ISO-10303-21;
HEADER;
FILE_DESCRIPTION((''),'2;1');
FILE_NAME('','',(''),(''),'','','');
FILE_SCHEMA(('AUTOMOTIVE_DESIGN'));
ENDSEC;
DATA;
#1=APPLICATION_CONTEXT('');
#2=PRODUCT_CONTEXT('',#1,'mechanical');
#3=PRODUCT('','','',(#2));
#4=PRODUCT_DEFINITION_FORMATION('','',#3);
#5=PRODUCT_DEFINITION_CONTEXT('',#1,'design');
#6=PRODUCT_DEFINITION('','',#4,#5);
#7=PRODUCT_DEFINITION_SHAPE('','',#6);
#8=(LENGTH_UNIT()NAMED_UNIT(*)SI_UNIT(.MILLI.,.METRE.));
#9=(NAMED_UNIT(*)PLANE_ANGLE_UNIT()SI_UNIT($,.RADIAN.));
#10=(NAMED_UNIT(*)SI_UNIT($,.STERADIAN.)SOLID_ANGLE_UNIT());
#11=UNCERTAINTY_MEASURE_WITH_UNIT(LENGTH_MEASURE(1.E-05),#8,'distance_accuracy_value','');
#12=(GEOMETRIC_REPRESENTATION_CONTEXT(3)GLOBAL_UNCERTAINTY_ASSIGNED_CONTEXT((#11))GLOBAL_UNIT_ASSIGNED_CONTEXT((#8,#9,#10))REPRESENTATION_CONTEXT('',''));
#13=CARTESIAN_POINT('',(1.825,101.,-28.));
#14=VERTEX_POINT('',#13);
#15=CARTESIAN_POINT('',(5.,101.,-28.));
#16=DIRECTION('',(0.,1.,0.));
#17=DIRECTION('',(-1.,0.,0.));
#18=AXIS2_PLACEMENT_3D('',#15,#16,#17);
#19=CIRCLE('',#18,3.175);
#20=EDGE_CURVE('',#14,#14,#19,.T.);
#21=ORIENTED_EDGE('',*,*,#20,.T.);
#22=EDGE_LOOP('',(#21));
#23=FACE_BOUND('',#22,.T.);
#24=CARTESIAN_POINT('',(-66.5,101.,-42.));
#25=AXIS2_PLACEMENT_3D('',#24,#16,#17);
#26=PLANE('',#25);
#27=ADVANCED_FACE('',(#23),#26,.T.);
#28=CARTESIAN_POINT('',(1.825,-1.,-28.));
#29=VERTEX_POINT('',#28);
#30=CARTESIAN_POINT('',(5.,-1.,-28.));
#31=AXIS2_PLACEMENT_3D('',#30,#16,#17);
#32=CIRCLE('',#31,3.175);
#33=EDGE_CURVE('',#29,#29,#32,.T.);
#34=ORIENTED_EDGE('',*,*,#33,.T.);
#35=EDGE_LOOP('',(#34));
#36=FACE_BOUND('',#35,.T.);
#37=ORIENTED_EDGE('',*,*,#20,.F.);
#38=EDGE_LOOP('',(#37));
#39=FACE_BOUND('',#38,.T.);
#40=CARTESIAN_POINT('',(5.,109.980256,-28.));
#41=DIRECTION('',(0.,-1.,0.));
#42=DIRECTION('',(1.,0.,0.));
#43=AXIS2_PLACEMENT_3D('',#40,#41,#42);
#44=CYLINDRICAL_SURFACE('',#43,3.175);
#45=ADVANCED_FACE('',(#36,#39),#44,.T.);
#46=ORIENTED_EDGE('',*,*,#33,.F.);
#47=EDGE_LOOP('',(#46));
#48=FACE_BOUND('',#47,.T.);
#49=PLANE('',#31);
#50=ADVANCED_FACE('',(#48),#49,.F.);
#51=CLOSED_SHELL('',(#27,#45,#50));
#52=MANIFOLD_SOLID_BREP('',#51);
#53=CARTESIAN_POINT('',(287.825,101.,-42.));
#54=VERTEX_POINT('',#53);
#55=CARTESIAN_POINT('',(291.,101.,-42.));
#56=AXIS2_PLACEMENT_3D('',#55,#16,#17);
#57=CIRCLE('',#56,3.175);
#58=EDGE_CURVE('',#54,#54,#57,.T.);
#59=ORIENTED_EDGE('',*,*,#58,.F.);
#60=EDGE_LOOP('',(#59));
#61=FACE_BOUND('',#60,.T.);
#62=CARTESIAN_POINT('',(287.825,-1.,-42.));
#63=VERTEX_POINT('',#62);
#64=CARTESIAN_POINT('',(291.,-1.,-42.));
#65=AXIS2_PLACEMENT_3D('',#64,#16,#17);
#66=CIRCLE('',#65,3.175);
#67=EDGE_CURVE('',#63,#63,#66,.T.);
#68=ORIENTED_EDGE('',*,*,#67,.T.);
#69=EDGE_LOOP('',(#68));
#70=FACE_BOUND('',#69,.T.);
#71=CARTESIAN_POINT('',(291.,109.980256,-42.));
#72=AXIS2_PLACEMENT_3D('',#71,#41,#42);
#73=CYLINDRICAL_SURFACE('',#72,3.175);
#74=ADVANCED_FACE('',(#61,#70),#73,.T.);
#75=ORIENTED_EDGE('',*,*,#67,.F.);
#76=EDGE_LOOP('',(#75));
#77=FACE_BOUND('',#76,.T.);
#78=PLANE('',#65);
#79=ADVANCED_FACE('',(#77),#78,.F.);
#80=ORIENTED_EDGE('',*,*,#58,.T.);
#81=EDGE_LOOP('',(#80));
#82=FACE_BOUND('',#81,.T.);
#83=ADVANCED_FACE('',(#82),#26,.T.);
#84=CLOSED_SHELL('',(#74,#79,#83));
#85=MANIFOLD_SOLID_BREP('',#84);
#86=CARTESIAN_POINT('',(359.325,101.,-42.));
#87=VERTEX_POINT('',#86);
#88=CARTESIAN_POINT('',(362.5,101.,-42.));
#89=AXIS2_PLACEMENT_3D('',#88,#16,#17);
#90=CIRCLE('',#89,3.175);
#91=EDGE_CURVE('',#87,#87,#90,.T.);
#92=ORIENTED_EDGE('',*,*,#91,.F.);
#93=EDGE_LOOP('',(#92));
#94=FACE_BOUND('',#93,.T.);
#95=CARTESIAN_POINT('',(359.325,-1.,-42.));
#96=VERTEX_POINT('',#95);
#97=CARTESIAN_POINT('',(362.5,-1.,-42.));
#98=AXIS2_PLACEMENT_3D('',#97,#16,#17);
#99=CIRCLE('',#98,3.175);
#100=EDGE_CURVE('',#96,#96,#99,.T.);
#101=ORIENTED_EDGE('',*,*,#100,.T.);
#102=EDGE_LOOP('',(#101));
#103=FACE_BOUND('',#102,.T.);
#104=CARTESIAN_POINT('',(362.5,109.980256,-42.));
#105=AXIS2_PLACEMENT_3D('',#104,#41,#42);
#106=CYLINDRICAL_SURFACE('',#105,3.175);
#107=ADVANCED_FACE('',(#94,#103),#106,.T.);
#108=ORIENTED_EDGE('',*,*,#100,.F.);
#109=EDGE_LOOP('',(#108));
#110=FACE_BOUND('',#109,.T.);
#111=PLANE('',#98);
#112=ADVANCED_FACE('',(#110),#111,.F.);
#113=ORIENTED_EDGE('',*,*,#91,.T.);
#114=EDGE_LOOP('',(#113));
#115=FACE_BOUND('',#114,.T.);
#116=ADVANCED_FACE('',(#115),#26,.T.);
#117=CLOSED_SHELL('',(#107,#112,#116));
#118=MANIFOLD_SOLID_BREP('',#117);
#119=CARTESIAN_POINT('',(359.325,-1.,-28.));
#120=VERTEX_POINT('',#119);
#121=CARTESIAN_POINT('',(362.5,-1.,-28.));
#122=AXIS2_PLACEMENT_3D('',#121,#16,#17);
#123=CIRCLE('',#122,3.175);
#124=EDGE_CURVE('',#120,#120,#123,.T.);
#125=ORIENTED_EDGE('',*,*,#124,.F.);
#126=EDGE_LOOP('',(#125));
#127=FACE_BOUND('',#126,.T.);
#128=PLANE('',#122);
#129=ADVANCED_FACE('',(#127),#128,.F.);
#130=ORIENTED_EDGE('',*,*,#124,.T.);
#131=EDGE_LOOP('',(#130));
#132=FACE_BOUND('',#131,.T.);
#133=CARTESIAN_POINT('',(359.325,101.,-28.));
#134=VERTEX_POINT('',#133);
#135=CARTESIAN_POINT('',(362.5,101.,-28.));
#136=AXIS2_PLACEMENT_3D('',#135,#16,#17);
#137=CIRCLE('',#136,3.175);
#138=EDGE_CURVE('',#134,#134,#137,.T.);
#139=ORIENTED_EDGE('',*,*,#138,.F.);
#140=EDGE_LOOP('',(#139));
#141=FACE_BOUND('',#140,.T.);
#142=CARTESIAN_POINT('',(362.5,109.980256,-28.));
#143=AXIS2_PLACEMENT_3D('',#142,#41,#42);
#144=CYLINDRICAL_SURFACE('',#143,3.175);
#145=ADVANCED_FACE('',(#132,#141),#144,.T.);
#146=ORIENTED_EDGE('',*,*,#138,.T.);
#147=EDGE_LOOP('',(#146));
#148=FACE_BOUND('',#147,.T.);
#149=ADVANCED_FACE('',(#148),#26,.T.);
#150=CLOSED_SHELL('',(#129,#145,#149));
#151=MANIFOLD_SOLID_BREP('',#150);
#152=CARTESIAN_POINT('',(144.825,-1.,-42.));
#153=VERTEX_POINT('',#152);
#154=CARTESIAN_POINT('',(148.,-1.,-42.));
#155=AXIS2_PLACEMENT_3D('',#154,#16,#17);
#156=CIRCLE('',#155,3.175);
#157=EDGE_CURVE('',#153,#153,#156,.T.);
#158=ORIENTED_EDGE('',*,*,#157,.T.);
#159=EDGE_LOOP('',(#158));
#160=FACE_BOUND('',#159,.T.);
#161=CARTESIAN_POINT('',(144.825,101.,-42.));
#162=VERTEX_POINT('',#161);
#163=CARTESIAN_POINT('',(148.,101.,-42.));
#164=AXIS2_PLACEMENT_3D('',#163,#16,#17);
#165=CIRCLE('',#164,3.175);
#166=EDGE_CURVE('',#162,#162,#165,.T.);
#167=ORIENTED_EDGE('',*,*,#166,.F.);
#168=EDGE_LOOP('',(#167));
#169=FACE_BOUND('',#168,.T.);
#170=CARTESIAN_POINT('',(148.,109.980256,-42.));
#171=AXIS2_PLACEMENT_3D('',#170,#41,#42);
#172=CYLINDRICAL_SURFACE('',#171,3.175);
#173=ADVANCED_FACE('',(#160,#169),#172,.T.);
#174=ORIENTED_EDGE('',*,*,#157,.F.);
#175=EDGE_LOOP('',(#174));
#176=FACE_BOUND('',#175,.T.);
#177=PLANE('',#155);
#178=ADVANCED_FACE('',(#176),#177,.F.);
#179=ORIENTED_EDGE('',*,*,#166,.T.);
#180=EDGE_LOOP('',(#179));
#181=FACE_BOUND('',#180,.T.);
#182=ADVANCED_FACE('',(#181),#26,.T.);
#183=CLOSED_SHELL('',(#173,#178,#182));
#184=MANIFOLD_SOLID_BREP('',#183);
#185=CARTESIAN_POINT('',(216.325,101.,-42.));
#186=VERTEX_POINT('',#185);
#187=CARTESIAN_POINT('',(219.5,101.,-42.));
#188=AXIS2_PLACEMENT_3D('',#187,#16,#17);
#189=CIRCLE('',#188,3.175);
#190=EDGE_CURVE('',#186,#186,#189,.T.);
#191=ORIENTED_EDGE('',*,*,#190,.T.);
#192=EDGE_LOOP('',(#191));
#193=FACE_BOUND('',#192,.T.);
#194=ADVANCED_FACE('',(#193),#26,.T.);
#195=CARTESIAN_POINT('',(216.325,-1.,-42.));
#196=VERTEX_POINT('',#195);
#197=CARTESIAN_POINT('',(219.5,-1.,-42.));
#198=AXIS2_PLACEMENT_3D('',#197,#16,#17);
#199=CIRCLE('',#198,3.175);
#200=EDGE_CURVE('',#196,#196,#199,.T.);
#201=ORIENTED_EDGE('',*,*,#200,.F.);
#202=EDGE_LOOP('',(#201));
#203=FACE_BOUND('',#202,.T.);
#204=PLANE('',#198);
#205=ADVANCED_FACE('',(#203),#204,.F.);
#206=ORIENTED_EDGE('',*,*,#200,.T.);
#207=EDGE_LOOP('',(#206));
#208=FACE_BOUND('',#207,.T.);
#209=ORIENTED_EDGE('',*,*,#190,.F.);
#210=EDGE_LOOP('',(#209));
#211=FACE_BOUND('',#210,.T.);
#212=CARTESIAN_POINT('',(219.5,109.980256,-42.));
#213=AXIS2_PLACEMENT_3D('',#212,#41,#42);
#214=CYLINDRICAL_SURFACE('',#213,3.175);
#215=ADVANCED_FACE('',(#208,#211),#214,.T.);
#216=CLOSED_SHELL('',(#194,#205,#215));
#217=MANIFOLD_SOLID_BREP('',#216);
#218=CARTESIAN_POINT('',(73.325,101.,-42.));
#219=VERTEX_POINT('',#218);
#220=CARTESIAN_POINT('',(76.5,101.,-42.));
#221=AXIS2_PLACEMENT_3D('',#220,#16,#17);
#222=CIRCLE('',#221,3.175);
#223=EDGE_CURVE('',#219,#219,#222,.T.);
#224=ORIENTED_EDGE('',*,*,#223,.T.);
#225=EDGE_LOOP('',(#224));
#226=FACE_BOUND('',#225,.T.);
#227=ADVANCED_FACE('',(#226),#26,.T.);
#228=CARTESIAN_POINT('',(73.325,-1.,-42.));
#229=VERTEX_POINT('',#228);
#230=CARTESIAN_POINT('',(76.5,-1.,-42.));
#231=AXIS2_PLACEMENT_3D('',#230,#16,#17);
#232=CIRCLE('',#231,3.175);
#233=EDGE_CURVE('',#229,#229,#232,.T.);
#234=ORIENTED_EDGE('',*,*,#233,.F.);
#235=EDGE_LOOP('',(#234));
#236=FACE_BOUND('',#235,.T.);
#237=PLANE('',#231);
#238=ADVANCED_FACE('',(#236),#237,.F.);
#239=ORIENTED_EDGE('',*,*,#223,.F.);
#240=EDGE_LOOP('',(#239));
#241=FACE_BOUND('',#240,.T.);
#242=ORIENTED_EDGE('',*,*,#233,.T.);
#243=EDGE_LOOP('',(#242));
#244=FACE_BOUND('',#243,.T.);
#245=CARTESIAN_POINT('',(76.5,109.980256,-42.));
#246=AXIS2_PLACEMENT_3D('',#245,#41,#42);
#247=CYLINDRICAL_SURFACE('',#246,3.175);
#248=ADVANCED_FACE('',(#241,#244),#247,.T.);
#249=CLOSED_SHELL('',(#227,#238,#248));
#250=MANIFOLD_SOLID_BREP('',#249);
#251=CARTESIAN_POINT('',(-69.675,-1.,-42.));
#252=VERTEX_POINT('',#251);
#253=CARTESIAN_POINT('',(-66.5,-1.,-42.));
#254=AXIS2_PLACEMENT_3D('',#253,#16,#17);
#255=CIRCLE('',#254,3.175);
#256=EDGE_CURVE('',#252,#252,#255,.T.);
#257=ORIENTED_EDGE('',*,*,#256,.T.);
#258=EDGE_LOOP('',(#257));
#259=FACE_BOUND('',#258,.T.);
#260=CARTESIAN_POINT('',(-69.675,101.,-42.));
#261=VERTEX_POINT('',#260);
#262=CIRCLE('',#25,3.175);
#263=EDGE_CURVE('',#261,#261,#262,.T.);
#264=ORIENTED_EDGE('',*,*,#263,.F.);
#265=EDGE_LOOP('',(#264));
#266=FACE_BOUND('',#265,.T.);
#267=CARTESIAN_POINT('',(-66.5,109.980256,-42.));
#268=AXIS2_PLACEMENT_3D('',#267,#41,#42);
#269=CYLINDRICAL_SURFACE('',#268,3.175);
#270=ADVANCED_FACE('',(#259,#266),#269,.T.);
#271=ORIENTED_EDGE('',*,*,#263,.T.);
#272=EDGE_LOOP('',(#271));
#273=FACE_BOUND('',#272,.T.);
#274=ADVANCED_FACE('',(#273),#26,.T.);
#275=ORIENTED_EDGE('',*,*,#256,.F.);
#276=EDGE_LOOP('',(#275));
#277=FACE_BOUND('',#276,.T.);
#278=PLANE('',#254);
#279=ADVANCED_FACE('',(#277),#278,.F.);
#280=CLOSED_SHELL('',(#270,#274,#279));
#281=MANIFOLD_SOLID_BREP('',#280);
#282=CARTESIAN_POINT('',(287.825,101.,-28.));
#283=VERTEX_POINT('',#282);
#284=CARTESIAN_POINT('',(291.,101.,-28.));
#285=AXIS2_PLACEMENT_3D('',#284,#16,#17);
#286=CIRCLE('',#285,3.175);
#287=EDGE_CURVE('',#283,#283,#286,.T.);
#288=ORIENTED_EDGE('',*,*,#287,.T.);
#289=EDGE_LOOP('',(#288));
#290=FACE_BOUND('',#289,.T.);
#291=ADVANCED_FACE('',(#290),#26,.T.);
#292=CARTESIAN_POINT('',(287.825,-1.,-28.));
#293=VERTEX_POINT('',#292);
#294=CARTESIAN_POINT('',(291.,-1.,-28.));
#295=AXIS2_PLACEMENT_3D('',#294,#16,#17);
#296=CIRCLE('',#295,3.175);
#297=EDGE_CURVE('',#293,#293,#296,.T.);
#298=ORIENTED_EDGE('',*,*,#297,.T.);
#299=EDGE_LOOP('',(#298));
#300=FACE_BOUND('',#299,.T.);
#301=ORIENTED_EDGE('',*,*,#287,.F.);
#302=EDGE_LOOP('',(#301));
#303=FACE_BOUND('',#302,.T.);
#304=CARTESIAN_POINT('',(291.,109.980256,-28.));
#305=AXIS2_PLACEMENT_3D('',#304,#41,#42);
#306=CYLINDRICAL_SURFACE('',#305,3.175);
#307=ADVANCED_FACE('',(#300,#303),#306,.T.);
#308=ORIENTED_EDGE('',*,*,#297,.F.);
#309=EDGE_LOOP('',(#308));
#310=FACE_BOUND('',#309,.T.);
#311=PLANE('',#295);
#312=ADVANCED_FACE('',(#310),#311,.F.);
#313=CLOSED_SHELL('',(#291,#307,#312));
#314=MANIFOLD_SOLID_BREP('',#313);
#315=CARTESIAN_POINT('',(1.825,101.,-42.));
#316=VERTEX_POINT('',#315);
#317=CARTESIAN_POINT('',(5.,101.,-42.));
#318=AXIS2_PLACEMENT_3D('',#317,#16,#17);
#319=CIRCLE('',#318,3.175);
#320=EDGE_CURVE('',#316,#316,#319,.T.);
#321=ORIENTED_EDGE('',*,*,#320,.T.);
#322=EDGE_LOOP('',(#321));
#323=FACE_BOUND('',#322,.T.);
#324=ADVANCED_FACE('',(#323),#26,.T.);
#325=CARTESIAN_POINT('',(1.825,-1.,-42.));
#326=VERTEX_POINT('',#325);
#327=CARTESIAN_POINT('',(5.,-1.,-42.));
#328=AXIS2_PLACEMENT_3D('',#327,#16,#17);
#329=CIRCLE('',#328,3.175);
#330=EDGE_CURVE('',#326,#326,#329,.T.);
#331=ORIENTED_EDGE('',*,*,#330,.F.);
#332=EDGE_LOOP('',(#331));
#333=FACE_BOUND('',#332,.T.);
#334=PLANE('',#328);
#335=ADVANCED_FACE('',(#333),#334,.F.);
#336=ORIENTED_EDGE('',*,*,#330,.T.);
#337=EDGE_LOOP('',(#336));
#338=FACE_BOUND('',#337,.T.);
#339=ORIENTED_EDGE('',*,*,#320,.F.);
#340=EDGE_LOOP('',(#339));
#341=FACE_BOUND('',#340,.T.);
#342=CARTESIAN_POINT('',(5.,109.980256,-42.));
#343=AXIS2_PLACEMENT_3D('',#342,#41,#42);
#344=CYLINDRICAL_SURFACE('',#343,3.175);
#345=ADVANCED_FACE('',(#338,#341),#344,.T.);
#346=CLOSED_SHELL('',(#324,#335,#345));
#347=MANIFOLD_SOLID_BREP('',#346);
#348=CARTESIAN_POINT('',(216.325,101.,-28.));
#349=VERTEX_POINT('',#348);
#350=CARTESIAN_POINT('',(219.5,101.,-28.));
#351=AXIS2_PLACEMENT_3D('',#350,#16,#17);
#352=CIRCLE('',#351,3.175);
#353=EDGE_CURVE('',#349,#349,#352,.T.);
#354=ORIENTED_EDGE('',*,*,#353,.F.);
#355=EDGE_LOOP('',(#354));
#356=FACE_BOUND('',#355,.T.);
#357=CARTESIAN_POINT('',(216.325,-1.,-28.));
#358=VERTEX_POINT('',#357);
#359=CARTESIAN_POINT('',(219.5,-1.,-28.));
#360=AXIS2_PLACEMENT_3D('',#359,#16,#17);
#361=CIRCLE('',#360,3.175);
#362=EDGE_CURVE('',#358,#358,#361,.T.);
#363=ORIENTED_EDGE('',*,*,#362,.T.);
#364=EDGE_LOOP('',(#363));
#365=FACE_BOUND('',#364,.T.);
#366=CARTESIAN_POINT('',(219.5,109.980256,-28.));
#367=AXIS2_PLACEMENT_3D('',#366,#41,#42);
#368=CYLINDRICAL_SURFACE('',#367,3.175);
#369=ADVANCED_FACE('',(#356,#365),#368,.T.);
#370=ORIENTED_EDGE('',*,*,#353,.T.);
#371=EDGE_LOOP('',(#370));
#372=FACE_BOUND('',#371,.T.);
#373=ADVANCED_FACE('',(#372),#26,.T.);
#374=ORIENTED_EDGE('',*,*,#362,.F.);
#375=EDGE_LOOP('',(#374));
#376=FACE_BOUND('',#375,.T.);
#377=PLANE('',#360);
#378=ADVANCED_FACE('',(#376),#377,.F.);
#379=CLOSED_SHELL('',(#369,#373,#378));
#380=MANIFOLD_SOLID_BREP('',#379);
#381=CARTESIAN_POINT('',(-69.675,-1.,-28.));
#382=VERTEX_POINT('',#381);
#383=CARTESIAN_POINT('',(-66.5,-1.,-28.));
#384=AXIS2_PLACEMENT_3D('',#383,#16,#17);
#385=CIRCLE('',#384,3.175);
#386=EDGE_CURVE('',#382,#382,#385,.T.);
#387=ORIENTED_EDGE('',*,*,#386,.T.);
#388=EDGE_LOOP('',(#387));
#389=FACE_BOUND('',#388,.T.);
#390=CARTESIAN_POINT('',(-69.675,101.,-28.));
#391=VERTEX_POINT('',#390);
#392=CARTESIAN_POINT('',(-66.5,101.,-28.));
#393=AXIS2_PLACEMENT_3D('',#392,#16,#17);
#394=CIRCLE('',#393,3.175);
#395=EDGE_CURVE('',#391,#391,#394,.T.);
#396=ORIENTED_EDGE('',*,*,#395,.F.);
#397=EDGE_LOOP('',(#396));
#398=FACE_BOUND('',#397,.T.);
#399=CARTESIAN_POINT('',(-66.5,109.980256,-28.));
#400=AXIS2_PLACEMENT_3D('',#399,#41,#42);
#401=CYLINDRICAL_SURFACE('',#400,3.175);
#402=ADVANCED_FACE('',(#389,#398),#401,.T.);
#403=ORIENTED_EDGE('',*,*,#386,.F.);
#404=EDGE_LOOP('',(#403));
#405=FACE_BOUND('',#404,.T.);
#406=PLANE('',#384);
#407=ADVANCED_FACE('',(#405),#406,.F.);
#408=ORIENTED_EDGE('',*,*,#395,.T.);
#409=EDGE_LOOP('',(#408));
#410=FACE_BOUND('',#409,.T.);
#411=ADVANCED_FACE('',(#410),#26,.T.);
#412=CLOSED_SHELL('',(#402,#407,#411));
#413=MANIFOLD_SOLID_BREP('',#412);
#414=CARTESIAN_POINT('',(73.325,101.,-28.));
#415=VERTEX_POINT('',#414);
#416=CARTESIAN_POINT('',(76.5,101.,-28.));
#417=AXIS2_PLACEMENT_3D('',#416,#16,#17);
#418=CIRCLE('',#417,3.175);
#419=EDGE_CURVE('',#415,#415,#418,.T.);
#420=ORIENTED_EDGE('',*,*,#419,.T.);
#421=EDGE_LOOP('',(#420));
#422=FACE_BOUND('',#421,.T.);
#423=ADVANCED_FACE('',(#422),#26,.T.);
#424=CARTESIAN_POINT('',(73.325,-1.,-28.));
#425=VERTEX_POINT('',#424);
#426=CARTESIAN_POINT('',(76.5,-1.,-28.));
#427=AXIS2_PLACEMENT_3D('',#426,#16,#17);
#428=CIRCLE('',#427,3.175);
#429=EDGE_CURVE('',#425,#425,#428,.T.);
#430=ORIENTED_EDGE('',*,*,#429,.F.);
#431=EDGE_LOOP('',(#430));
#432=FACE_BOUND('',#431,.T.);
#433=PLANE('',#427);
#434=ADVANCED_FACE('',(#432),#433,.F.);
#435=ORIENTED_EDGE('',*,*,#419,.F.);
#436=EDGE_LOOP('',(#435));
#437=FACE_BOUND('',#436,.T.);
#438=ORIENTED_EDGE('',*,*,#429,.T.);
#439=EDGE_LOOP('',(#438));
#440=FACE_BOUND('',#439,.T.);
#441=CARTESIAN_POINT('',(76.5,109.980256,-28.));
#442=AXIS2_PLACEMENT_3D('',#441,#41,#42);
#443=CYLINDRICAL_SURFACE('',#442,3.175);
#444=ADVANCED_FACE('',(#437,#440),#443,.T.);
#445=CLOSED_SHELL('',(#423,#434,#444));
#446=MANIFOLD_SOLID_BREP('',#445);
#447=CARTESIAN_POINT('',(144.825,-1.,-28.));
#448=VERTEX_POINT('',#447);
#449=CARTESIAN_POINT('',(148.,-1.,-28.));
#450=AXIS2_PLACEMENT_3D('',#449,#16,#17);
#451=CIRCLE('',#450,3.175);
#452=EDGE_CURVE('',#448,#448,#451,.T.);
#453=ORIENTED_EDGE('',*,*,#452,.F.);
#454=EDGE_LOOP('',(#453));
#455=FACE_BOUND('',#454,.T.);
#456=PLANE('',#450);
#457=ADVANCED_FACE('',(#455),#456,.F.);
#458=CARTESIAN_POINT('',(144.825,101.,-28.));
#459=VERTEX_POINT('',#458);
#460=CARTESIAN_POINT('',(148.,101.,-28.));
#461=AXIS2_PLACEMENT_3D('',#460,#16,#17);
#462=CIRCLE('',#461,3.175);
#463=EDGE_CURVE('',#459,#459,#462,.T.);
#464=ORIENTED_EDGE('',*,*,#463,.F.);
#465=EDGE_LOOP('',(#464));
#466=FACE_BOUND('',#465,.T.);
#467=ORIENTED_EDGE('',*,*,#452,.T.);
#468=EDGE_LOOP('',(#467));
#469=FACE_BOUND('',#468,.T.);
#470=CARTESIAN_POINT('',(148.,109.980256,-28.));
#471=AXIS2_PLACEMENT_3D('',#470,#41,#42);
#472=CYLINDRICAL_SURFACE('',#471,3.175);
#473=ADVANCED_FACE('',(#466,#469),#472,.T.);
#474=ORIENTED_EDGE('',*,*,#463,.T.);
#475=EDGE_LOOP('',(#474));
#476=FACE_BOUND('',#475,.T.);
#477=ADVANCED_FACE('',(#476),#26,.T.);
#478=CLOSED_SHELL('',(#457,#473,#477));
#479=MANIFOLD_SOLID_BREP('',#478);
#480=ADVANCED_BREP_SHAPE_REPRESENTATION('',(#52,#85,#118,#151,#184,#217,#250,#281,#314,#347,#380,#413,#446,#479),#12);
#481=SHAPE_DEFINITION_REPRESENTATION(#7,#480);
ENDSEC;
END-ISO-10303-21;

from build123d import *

# Parameters (mm, degrees)
SKETCH1_R              = 3.175
BOSS_EXTRUDE1_DEPTH    = 102
BOSS_EXTRUDE1_2_DEPTH  = 102
BOSS_EXTRUDE1_3_DEPTH  = 102
BOSS_EXTRUDE1_4_DEPTH  = 102
BOSS_EXTRUDE1_5_DEPTH  = 102
BOSS_EXTRUDE1_6_DEPTH  = 102
BOSS_EXTRUDE1_7_DEPTH  = 102
BOSS_EXTRUDE1_8_DEPTH  = 102
BOSS_EXTRUDE1_9_DEPTH  = 102
BOSS_EXTRUDE1_10_DEPTH = 102
BOSS_EXTRUDE1_11_DEPTH = 102
BOSS_EXTRUDE1_12_DEPTH = 102
BOSS_EXTRUDE1_13_DEPTH = 102
BOSS_EXTRUDE1_14_DEPTH = 102


with BuildPart() as part:
    # Sketch1 → Boss-Extrude1 (new body)
    with BuildSketch(Plane(origin=(0, -1, 0), x_dir=(1, 0, 0), z_dir=(0, 1, 0))):
        with Locations((-66.5, 42)):
            Circle(SKETCH1_R)
    extrude(amount=BOSS_EXTRUDE1_DEPTH)


with BuildPart() as body_2:
    # Sketch1 → Boss-Extrude1 2 (new body)
    with BuildSketch(Plane(origin=(0, -1, 0), x_dir=(1, 0, 0), z_dir=(0, 1, 0))):
        with Locations((-66.5, 28)):
            Circle(SKETCH1_R)
    extrude(amount=BOSS_EXTRUDE1_2_DEPTH)


with BuildPart() as body_3:
    # Sketch1 → Boss-Extrude1 3 (new body)
    with BuildSketch(Plane(origin=(0, -1, 0), x_dir=(1, 0, 0), z_dir=(0, 1, 0))):
        with Locations((5, 42)):
            Circle(SKETCH1_R)
    extrude(amount=BOSS_EXTRUDE1_3_DEPTH)


with BuildPart() as body_4:
    # Sketch1 → Boss-Extrude1 4 (new body)
    with BuildSketch(Plane(origin=(0, -1, 0), x_dir=(1, 0, 0), z_dir=(0, 1, 0))):
        with Locations((5, 28)):
            Circle(SKETCH1_R)
    extrude(amount=BOSS_EXTRUDE1_4_DEPTH)


with BuildPart() as body_5:
    # Sketch1 → Boss-Extrude1 5 (new body)
    with BuildSketch(Plane(origin=(0, -1, 0), x_dir=(1, 0, 0), z_dir=(0, 1, 0))):
        with Locations((76.5, 42)):
            Circle(SKETCH1_R)
    extrude(amount=BOSS_EXTRUDE1_5_DEPTH)


with BuildPart() as body_6:
    # Sketch1 → Boss-Extrude1 6 (new body)
    with BuildSketch(Plane(origin=(0, -1, 0), x_dir=(1, 0, 0), z_dir=(0, 1, 0))):
        with Locations((76.5, 28)):
            Circle(SKETCH1_R)
    extrude(amount=BOSS_EXTRUDE1_6_DEPTH)


with BuildPart() as body_7:
    # Sketch1 → Boss-Extrude1 7 (new body)
    with BuildSketch(Plane(origin=(0, -1, 0), x_dir=(1, 0, 0), z_dir=(0, 1, 0))):
        with Locations((148, 42)):
            Circle(SKETCH1_R)
    extrude(amount=BOSS_EXTRUDE1_7_DEPTH)


with BuildPart() as body_8:
    # Sketch1 → Boss-Extrude1 8 (new body)
    with BuildSketch(Plane(origin=(0, -1, 0), x_dir=(1, 0, 0), z_dir=(0, 1, 0))):
        with Locations((148, 28)):
            Circle(SKETCH1_R)
    extrude(amount=BOSS_EXTRUDE1_8_DEPTH)


with BuildPart() as body_9:
    # Sketch1 → Boss-Extrude1 9 (new body)
    with BuildSketch(Plane(origin=(0, -1, 0), x_dir=(1, 0, 0), z_dir=(0, 1, 0))):
        with Locations((219.5, 42)):
            Circle(SKETCH1_R)
    extrude(amount=BOSS_EXTRUDE1_9_DEPTH)


with BuildPart() as body_10:
    # Sketch1 → Boss-Extrude1 10 (new body)
    with BuildSketch(Plane(origin=(0, -1, 0), x_dir=(1, 0, 0), z_dir=(0, 1, 0))):
        with Locations((219.5, 28)):
            Circle(SKETCH1_R)
    extrude(amount=BOSS_EXTRUDE1_10_DEPTH)


with BuildPart() as body_11:
    # Sketch1 → Boss-Extrude1 11 (new body)
    with BuildSketch(Plane(origin=(0, -1, 0), x_dir=(1, 0, 0), z_dir=(0, 1, 0))):
        with Locations((291, 42)):
            Circle(SKETCH1_R)
    extrude(amount=BOSS_EXTRUDE1_11_DEPTH)


with BuildPart() as body_12:
    # Sketch1 → Boss-Extrude1 12 (new body)
    with BuildSketch(Plane(origin=(0, -1, 0), x_dir=(1, 0, 0), z_dir=(0, 1, 0))):
        with Locations((291, 28)):
            Circle(SKETCH1_R)
    extrude(amount=BOSS_EXTRUDE1_12_DEPTH)


with BuildPart() as body_13:
    # Sketch1 → Boss-Extrude1 13 (new body)
    with BuildSketch(Plane(origin=(0, -1, 0), x_dir=(1, 0, 0), z_dir=(0, 1, 0))):
        with Locations((362.5, 42)):
            Circle(SKETCH1_R)
    extrude(amount=BOSS_EXTRUDE1_13_DEPTH)


with BuildPart() as body_14:
    # Sketch1 → Boss-Extrude1 14 (new body)
    with BuildSketch(Plane(origin=(0, -1, 0), x_dir=(1, 0, 0), z_dir=(0, 1, 0))):
        with Locations((362.5, 28)):
            Circle(SKETCH1_R)
    extrude(amount=BOSS_EXTRUDE1_14_DEPTH)


solid = Compound([part.part, body_2.part, body_3.part, body_4.part, body_5.part, body_6.part, body_7.part, body_8.part, body_9.part, body_10.part, body_11.part, body_12.part, body_13.part, body_14.part])
